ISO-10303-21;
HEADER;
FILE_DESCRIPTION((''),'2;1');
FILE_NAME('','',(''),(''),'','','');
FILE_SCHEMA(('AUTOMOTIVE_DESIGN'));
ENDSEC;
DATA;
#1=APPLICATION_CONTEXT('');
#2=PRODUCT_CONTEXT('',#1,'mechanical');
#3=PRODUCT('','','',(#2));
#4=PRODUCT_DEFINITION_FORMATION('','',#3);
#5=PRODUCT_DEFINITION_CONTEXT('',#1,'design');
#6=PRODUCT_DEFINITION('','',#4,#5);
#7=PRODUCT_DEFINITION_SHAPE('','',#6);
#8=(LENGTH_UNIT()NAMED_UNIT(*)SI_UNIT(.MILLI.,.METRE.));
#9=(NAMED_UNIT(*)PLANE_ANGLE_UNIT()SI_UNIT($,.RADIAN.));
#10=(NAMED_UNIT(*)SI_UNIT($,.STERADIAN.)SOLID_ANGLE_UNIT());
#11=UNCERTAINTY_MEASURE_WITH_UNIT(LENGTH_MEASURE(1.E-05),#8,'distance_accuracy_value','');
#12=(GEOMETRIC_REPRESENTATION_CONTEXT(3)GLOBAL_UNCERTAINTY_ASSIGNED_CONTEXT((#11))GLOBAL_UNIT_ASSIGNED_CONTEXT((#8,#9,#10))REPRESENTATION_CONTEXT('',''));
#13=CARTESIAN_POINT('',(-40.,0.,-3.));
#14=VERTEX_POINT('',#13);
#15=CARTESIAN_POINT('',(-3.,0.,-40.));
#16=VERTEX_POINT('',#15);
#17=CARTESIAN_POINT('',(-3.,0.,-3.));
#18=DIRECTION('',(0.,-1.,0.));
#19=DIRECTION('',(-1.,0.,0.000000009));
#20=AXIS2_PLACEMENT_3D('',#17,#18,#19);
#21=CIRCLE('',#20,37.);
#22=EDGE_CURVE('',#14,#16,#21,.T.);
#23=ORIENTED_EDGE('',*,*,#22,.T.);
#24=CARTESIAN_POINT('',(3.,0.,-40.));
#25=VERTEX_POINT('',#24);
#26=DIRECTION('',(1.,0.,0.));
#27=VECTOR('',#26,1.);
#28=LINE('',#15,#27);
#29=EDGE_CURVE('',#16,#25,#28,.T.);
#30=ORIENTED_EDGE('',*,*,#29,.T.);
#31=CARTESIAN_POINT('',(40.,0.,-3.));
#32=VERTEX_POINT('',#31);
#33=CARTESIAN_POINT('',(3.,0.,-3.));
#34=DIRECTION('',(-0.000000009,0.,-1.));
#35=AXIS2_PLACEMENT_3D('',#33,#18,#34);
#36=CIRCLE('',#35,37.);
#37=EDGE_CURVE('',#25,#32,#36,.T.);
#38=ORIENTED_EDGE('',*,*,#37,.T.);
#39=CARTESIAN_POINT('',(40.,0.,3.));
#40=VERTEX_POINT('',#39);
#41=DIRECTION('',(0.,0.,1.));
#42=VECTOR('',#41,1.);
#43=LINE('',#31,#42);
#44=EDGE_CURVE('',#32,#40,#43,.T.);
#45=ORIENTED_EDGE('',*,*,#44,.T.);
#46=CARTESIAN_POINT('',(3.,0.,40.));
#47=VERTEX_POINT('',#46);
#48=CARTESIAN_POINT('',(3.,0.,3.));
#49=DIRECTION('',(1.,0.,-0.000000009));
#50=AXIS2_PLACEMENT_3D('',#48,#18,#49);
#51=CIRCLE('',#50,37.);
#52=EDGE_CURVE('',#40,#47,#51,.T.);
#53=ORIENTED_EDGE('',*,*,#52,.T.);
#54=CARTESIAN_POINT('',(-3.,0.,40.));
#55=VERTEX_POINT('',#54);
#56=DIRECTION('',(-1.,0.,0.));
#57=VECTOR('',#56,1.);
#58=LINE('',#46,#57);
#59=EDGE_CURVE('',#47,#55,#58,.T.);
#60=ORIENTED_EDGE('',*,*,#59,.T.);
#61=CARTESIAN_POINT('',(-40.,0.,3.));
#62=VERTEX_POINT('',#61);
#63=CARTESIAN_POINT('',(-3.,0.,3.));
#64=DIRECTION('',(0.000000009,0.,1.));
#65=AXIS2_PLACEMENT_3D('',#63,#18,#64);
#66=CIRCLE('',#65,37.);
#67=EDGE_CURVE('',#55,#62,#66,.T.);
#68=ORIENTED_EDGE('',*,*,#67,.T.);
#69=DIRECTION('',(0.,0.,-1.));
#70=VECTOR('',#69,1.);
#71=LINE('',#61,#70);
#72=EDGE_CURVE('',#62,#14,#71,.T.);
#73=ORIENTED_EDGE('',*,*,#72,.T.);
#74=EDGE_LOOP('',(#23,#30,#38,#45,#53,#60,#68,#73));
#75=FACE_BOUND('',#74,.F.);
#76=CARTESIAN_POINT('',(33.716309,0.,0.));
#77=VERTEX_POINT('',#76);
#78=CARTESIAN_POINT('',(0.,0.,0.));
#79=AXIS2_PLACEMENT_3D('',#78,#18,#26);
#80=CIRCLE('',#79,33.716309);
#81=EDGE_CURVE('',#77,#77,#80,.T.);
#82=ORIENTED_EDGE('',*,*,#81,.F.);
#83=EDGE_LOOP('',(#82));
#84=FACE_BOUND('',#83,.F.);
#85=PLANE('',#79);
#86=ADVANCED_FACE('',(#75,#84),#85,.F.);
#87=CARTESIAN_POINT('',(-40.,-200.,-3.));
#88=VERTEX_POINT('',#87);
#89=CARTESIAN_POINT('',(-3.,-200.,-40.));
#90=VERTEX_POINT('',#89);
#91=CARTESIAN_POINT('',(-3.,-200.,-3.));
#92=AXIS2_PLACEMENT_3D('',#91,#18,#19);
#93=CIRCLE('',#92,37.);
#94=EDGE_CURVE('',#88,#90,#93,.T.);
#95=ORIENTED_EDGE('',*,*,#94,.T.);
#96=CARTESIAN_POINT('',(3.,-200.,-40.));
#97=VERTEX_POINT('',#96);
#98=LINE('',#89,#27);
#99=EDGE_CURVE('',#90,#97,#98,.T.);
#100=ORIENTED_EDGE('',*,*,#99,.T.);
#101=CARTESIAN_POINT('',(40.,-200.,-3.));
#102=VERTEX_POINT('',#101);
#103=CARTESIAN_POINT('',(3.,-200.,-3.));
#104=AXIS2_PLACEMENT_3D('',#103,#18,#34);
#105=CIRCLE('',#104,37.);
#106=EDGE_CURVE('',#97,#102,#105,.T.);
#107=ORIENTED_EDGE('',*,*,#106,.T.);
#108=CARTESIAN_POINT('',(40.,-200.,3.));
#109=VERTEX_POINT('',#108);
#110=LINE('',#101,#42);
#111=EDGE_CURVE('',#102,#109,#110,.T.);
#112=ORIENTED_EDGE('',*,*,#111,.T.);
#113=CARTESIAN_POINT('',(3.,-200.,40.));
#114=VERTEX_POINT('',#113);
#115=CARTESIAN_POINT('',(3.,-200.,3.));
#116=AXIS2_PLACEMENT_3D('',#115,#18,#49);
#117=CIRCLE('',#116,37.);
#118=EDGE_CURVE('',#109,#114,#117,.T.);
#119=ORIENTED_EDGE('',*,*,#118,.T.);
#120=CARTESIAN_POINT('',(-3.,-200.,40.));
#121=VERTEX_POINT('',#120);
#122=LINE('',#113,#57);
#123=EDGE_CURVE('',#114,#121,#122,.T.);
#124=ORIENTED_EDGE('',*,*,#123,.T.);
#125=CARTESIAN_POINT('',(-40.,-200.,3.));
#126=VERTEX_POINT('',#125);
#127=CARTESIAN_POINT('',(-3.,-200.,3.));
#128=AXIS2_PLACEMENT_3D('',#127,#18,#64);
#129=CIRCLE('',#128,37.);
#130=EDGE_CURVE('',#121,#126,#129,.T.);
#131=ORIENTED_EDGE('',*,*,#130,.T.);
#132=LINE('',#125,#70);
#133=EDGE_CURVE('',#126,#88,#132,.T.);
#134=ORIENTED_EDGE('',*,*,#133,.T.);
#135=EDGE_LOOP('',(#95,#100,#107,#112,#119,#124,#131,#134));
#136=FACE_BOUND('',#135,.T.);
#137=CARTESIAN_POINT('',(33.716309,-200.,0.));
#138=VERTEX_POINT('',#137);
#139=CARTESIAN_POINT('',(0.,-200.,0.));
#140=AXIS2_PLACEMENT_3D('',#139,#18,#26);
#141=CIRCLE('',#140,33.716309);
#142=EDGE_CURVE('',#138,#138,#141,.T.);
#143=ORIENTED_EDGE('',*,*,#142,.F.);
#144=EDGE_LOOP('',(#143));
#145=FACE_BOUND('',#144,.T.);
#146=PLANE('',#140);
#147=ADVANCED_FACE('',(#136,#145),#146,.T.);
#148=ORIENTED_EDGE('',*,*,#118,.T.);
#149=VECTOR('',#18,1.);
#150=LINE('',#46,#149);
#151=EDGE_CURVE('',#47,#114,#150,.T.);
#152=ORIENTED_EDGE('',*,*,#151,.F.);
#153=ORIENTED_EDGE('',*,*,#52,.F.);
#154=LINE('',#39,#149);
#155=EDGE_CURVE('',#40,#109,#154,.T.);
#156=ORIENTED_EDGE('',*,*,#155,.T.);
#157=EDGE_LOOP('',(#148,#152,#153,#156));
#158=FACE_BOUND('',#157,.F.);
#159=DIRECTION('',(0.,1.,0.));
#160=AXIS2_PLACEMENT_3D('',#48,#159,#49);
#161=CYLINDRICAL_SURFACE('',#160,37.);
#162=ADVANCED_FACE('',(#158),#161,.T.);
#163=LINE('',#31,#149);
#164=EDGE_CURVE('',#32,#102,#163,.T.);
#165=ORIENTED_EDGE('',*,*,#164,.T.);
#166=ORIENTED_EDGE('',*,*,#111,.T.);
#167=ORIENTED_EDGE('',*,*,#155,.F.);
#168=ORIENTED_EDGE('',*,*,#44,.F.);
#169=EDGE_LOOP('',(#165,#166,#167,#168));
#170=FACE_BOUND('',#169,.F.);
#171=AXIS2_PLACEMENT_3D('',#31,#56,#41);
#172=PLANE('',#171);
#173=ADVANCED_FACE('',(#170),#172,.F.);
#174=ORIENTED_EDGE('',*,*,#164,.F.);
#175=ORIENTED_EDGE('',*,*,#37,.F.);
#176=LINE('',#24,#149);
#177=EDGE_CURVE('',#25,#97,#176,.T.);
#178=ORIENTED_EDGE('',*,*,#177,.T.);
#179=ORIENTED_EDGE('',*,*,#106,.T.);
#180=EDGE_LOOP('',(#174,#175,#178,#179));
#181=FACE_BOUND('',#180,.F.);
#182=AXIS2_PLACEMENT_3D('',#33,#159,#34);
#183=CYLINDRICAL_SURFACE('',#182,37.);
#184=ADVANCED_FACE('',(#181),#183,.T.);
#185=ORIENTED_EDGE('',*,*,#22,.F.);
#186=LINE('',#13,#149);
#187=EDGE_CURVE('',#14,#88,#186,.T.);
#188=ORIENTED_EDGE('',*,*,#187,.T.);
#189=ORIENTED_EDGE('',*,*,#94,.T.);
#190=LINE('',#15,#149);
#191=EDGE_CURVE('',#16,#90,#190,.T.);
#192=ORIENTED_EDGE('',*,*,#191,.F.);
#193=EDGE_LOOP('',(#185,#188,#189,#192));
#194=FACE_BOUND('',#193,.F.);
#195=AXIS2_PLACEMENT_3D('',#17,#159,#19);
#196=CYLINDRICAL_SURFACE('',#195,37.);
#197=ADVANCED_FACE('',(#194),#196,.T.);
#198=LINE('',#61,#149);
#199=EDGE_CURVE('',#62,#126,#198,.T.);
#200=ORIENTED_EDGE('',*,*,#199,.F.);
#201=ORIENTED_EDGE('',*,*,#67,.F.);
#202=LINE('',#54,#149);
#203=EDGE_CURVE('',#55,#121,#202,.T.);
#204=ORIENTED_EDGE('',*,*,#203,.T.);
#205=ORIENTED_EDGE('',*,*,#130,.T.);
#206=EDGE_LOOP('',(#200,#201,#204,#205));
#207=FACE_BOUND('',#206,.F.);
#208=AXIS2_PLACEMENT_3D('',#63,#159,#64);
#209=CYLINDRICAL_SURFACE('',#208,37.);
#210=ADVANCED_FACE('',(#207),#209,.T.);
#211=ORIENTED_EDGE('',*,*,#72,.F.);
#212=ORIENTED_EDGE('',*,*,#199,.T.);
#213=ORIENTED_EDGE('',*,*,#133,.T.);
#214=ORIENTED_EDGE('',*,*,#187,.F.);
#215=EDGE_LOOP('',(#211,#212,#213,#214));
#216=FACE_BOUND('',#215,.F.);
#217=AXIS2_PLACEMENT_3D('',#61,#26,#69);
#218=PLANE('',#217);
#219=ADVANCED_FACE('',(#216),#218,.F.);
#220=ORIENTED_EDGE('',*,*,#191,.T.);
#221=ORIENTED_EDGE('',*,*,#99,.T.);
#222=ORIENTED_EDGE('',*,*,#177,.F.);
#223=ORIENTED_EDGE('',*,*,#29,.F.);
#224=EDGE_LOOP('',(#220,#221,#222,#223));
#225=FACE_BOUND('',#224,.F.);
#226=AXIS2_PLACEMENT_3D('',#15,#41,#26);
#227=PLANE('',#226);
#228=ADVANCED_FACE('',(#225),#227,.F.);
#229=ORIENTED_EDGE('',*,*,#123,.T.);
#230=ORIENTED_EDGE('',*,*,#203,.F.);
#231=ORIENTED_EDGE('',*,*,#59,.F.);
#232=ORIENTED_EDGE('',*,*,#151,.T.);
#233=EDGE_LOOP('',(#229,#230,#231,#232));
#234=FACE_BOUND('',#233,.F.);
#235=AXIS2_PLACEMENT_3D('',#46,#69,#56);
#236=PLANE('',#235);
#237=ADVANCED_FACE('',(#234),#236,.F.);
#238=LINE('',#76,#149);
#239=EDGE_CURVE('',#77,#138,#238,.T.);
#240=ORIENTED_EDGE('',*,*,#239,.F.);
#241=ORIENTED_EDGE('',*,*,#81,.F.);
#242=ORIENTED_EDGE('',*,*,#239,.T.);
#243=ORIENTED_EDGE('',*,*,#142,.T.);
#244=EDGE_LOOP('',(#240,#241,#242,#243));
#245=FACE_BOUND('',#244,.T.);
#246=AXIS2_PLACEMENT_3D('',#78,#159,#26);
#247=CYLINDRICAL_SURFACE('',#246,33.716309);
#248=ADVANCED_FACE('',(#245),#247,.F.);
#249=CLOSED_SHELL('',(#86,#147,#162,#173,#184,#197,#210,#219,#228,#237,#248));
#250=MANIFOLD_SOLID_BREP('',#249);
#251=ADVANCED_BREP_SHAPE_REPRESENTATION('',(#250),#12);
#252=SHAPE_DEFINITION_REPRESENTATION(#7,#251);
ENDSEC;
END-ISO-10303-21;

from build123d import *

# Parameters (mm, degrees)
F0_R     = 33.716309
F1_DEPTH = 200


with BuildPart() as f1:
    # F0 (on Front) → F1 (new body)
    with BuildSketch(Plane.XZ):
        with BuildLine():
            ThreePointArc((-40, -3), (-29.162951, -29.162951), (-3, -40))
            Line((-3, -40), (3, -40))
            ThreePointArc((3, -40), (29.162951, -29.162951), (40, -3))
            Line((40, -3), (40, 3))
            ThreePointArc((40, 3), (29.162951, 29.162951), (3, 40))
            Line((3, 40), (-3, 40))
            ThreePointArc((-3, 40), (-29.162951, 29.162951), (-40, 3))
            Line((-40, 3), (-40, -3))
        make_face()
        Circle(F0_R, mode=Mode.SUBTRACT)
    extrude(amount=F1_DEPTH)


solid = f1.part
